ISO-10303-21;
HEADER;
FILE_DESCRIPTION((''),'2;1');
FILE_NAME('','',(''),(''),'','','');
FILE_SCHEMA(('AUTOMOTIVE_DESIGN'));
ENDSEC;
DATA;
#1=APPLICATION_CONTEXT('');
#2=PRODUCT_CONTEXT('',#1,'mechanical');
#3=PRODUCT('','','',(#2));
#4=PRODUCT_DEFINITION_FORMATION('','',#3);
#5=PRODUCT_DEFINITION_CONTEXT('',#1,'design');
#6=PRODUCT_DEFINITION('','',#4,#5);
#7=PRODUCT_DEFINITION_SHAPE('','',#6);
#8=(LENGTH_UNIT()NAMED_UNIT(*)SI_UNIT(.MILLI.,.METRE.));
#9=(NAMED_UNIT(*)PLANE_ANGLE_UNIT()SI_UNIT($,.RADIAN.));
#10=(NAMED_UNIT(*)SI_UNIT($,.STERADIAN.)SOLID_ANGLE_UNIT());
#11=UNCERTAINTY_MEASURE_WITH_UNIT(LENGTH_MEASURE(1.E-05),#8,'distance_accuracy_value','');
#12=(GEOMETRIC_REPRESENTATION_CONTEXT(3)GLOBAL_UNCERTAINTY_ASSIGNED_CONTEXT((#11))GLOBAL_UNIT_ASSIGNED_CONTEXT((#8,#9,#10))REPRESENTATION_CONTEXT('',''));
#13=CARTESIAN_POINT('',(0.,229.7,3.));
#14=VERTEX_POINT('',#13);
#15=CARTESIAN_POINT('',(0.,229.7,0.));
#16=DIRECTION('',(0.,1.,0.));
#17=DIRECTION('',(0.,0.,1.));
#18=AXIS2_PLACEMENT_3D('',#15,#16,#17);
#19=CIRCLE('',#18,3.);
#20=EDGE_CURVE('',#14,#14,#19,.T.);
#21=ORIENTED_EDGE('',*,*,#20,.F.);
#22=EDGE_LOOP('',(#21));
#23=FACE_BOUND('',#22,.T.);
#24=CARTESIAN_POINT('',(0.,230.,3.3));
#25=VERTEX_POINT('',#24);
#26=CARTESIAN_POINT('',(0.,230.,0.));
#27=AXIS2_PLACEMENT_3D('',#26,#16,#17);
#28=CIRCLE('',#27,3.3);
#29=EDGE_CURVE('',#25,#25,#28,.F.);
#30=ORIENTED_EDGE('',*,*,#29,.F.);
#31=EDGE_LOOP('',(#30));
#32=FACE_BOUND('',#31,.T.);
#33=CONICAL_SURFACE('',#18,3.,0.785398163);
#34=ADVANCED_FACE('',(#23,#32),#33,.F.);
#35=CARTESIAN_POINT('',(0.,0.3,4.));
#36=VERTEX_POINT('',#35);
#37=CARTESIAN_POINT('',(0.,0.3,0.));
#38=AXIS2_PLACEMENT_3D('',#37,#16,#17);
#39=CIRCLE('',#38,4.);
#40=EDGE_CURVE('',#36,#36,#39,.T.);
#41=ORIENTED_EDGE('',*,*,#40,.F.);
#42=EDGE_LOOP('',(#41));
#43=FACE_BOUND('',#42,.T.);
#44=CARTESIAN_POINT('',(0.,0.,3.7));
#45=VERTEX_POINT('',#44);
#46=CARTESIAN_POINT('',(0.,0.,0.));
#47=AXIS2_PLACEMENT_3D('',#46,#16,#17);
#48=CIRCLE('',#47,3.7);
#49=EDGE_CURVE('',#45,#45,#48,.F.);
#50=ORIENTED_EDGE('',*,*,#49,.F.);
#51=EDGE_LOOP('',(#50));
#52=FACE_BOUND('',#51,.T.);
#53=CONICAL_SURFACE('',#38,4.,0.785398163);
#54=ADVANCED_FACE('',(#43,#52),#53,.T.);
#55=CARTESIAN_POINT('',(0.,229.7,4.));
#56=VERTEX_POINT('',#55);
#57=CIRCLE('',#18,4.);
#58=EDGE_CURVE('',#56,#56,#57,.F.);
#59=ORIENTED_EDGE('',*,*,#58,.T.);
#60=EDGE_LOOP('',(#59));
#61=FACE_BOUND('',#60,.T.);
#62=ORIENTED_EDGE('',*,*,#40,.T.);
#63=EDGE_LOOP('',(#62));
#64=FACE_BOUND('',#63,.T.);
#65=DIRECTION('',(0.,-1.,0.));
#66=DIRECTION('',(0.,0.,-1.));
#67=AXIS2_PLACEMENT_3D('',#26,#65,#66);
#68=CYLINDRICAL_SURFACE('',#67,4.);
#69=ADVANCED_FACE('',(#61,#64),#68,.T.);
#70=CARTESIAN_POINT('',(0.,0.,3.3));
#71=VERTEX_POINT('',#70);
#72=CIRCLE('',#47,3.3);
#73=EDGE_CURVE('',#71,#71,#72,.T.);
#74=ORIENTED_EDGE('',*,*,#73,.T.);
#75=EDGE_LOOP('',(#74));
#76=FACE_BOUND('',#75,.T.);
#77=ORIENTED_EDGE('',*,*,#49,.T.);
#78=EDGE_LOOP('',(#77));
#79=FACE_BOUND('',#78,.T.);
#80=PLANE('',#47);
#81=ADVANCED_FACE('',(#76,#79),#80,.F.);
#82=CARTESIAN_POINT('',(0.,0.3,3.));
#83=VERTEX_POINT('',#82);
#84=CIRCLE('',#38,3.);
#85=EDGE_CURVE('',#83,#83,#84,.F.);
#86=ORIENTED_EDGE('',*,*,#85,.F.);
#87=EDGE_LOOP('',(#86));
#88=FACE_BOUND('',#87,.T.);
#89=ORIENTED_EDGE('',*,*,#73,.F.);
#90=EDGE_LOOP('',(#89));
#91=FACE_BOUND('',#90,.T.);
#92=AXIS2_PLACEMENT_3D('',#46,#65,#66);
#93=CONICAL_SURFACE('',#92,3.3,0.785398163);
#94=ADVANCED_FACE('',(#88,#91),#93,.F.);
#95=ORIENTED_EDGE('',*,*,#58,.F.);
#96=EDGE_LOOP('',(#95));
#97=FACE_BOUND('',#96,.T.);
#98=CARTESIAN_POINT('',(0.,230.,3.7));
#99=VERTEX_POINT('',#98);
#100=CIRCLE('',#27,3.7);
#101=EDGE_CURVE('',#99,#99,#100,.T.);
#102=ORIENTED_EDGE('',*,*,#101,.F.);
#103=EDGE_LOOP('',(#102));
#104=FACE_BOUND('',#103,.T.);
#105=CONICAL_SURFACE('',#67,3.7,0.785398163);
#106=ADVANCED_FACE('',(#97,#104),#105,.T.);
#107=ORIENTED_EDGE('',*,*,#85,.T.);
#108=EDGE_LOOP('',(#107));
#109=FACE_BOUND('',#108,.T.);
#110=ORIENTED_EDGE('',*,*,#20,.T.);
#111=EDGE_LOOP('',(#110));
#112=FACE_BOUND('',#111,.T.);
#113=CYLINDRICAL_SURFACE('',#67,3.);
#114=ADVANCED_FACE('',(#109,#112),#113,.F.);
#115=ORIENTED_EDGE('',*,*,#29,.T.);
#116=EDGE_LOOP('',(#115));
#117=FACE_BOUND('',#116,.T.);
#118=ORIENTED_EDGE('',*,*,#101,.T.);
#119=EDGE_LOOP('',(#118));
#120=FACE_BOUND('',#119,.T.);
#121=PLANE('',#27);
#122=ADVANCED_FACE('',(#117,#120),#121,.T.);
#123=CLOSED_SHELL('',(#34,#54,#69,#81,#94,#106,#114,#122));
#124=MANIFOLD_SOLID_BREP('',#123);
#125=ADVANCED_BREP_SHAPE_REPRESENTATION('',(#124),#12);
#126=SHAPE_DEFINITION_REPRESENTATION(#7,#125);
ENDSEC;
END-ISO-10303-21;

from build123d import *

# Parameters (mm, degrees)
SKETCH_1_R      = 4
SKETCH_1_R_2    = 3
EXTRUDE_1_DEPTH = 230
CHAMFER_1_SIZE  = 0.3


with BuildPart() as part:
    # Эскиз1 → Бобышка-Вытянуть1 (new body)
    with BuildSketch(Plane(origin=(0, 0, 0), x_dir=(1, 0, 0), z_dir=(0, 1, 0))):
        with Locations(Location((0, 0, 0), (0, 0, 270))):
            Circle(SKETCH_1_R)
        with Locations(Location((0, 0, 0), (0, 0, 270))):
            Circle(SKETCH_1_R_2, mode=Mode.SUBTRACT)
    extrude(amount=EXTRUDE_1_DEPTH)

    # Фаска1
    chamfer_1_edges = [part.edges().sort_by_distance(p)[0] for p in [
        (0, 0, -4),
        (0, 230, -4),
        (0, 0, -3),
        (0, 230, -3),
    ]]
    chamfer(chamfer_1_edges, length=CHAMFER_1_SIZE)


solid = part.part
